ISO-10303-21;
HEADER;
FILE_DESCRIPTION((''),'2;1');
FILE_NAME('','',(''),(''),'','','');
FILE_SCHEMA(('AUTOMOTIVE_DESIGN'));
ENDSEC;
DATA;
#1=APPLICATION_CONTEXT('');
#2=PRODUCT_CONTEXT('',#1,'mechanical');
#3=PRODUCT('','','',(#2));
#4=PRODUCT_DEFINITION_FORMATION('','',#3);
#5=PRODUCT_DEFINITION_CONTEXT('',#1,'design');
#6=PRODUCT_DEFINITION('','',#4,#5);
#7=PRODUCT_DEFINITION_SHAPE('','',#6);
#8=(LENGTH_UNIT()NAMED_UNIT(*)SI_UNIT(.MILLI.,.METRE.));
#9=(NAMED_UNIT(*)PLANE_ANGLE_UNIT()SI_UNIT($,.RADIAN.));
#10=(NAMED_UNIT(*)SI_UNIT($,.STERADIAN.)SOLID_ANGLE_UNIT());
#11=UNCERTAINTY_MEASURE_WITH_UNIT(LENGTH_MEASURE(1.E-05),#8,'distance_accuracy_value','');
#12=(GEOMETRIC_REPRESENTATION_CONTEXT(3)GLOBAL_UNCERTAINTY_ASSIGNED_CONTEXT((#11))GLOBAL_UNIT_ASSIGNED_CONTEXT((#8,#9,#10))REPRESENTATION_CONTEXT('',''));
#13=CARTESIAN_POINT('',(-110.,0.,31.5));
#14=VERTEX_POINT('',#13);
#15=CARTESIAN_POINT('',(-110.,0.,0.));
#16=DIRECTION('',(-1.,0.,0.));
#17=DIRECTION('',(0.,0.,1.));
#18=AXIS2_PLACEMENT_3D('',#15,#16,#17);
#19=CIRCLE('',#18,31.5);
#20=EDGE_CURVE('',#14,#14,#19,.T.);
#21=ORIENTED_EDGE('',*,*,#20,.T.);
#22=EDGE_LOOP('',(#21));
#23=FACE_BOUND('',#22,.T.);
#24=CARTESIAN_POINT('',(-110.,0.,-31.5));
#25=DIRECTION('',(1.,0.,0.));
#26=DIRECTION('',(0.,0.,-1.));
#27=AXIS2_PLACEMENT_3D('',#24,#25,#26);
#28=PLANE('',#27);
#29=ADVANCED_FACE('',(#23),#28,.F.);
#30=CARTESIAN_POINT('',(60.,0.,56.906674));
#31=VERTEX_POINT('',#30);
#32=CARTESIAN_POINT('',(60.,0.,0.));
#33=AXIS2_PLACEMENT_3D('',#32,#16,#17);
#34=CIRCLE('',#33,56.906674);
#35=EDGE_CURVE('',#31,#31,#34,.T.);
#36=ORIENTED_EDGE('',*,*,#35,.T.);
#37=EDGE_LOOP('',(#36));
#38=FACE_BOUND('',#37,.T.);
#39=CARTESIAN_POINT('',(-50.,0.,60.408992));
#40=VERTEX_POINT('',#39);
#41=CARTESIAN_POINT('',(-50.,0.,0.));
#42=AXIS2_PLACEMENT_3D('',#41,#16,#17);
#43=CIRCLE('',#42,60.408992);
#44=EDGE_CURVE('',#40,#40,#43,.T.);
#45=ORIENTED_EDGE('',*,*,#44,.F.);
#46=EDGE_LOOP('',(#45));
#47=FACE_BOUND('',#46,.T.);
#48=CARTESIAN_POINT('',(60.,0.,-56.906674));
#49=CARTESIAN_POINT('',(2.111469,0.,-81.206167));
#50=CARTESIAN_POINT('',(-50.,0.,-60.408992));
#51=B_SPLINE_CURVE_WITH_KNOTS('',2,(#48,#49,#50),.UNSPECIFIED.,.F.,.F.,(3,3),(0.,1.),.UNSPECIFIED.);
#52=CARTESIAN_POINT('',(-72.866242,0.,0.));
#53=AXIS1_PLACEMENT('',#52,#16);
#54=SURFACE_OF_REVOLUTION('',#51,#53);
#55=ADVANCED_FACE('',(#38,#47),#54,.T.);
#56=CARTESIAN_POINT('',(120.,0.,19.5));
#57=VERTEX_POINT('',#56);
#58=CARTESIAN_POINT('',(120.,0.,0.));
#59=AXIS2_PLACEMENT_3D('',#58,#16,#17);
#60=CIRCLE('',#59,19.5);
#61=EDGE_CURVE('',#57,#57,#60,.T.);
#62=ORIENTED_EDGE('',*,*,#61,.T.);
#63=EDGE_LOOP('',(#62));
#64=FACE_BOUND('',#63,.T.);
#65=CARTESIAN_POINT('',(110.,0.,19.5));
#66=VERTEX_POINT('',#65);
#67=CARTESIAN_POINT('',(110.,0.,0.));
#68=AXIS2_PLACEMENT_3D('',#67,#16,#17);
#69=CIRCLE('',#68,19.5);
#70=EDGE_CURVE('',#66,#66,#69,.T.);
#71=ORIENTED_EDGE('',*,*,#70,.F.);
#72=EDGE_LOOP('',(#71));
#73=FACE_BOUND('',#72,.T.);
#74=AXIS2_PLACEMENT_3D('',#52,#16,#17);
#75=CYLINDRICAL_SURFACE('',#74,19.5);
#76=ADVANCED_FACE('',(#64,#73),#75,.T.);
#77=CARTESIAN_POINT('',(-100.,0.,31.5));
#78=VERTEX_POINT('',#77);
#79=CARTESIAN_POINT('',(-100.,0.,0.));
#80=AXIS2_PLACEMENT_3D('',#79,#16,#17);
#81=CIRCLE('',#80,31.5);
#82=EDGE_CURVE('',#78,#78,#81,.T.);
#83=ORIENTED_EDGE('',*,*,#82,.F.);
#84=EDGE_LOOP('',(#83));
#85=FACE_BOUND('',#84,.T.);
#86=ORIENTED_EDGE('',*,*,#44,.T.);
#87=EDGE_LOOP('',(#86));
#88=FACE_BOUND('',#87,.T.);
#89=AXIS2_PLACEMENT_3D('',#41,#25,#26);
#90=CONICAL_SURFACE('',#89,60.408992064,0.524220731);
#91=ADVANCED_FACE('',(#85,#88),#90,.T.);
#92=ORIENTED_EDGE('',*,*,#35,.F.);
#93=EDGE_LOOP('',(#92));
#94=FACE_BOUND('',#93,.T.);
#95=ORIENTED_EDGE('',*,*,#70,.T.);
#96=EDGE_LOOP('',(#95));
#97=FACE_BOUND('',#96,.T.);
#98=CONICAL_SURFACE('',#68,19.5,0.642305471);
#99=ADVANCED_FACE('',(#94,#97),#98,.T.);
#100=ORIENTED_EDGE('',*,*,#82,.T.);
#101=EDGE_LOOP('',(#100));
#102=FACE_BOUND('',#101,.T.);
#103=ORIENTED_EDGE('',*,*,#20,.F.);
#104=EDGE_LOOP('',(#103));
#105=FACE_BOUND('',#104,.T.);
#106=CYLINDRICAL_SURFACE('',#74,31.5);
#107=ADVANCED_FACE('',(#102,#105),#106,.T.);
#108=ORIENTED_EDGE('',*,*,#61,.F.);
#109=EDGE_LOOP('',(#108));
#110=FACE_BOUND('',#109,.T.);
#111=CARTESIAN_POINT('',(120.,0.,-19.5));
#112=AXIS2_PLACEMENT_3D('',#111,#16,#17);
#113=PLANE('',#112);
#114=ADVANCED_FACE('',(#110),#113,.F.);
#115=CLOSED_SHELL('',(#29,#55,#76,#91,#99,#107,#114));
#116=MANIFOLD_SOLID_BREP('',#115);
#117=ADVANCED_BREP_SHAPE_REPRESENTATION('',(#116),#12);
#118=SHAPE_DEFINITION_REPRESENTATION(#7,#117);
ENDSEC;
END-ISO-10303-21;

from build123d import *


with BuildPart() as part:
    # Sketch1 → Revolve1 (revolve)
    with BuildSketch(Plane(origin=(0, 0, 0), x_dir=(1, 0, 0), z_dir=(0, 1, 0)), mode=Mode.PRIVATE) as revolve1_sk:
        with BuildLine():
            Line((-50, 60.408992064), (-100, 31.5))
            Line((-100, 31.5), (-110, 31.5))
            Line((-110, 31.5), (-110, 0))
            Line((-110, 0), (0, 0))
            Line((0, 0), (120, 0))
            Line((120, 0), (120, 19.5))
            Line((120, 19.5), (110, 19.5))
            Line((110, 19.5), (60, 56.906674408))
            add(Edge.make_bspline(
                [(-50, 60.408992064), (2.111468829, 81.206167483), (60, 56.906674408)],
                knots=[0, 0, 0, 1, 1, 1], degree=2))
        make_face()
    revolve(revolve1_sk.sketch.rotate(Axis((-72.866242038, 0, 0), (1, 0, 0)), 180), axis=Axis((-72.866242038, 0, 0), (1, 0, 0)))


solid = part.part
